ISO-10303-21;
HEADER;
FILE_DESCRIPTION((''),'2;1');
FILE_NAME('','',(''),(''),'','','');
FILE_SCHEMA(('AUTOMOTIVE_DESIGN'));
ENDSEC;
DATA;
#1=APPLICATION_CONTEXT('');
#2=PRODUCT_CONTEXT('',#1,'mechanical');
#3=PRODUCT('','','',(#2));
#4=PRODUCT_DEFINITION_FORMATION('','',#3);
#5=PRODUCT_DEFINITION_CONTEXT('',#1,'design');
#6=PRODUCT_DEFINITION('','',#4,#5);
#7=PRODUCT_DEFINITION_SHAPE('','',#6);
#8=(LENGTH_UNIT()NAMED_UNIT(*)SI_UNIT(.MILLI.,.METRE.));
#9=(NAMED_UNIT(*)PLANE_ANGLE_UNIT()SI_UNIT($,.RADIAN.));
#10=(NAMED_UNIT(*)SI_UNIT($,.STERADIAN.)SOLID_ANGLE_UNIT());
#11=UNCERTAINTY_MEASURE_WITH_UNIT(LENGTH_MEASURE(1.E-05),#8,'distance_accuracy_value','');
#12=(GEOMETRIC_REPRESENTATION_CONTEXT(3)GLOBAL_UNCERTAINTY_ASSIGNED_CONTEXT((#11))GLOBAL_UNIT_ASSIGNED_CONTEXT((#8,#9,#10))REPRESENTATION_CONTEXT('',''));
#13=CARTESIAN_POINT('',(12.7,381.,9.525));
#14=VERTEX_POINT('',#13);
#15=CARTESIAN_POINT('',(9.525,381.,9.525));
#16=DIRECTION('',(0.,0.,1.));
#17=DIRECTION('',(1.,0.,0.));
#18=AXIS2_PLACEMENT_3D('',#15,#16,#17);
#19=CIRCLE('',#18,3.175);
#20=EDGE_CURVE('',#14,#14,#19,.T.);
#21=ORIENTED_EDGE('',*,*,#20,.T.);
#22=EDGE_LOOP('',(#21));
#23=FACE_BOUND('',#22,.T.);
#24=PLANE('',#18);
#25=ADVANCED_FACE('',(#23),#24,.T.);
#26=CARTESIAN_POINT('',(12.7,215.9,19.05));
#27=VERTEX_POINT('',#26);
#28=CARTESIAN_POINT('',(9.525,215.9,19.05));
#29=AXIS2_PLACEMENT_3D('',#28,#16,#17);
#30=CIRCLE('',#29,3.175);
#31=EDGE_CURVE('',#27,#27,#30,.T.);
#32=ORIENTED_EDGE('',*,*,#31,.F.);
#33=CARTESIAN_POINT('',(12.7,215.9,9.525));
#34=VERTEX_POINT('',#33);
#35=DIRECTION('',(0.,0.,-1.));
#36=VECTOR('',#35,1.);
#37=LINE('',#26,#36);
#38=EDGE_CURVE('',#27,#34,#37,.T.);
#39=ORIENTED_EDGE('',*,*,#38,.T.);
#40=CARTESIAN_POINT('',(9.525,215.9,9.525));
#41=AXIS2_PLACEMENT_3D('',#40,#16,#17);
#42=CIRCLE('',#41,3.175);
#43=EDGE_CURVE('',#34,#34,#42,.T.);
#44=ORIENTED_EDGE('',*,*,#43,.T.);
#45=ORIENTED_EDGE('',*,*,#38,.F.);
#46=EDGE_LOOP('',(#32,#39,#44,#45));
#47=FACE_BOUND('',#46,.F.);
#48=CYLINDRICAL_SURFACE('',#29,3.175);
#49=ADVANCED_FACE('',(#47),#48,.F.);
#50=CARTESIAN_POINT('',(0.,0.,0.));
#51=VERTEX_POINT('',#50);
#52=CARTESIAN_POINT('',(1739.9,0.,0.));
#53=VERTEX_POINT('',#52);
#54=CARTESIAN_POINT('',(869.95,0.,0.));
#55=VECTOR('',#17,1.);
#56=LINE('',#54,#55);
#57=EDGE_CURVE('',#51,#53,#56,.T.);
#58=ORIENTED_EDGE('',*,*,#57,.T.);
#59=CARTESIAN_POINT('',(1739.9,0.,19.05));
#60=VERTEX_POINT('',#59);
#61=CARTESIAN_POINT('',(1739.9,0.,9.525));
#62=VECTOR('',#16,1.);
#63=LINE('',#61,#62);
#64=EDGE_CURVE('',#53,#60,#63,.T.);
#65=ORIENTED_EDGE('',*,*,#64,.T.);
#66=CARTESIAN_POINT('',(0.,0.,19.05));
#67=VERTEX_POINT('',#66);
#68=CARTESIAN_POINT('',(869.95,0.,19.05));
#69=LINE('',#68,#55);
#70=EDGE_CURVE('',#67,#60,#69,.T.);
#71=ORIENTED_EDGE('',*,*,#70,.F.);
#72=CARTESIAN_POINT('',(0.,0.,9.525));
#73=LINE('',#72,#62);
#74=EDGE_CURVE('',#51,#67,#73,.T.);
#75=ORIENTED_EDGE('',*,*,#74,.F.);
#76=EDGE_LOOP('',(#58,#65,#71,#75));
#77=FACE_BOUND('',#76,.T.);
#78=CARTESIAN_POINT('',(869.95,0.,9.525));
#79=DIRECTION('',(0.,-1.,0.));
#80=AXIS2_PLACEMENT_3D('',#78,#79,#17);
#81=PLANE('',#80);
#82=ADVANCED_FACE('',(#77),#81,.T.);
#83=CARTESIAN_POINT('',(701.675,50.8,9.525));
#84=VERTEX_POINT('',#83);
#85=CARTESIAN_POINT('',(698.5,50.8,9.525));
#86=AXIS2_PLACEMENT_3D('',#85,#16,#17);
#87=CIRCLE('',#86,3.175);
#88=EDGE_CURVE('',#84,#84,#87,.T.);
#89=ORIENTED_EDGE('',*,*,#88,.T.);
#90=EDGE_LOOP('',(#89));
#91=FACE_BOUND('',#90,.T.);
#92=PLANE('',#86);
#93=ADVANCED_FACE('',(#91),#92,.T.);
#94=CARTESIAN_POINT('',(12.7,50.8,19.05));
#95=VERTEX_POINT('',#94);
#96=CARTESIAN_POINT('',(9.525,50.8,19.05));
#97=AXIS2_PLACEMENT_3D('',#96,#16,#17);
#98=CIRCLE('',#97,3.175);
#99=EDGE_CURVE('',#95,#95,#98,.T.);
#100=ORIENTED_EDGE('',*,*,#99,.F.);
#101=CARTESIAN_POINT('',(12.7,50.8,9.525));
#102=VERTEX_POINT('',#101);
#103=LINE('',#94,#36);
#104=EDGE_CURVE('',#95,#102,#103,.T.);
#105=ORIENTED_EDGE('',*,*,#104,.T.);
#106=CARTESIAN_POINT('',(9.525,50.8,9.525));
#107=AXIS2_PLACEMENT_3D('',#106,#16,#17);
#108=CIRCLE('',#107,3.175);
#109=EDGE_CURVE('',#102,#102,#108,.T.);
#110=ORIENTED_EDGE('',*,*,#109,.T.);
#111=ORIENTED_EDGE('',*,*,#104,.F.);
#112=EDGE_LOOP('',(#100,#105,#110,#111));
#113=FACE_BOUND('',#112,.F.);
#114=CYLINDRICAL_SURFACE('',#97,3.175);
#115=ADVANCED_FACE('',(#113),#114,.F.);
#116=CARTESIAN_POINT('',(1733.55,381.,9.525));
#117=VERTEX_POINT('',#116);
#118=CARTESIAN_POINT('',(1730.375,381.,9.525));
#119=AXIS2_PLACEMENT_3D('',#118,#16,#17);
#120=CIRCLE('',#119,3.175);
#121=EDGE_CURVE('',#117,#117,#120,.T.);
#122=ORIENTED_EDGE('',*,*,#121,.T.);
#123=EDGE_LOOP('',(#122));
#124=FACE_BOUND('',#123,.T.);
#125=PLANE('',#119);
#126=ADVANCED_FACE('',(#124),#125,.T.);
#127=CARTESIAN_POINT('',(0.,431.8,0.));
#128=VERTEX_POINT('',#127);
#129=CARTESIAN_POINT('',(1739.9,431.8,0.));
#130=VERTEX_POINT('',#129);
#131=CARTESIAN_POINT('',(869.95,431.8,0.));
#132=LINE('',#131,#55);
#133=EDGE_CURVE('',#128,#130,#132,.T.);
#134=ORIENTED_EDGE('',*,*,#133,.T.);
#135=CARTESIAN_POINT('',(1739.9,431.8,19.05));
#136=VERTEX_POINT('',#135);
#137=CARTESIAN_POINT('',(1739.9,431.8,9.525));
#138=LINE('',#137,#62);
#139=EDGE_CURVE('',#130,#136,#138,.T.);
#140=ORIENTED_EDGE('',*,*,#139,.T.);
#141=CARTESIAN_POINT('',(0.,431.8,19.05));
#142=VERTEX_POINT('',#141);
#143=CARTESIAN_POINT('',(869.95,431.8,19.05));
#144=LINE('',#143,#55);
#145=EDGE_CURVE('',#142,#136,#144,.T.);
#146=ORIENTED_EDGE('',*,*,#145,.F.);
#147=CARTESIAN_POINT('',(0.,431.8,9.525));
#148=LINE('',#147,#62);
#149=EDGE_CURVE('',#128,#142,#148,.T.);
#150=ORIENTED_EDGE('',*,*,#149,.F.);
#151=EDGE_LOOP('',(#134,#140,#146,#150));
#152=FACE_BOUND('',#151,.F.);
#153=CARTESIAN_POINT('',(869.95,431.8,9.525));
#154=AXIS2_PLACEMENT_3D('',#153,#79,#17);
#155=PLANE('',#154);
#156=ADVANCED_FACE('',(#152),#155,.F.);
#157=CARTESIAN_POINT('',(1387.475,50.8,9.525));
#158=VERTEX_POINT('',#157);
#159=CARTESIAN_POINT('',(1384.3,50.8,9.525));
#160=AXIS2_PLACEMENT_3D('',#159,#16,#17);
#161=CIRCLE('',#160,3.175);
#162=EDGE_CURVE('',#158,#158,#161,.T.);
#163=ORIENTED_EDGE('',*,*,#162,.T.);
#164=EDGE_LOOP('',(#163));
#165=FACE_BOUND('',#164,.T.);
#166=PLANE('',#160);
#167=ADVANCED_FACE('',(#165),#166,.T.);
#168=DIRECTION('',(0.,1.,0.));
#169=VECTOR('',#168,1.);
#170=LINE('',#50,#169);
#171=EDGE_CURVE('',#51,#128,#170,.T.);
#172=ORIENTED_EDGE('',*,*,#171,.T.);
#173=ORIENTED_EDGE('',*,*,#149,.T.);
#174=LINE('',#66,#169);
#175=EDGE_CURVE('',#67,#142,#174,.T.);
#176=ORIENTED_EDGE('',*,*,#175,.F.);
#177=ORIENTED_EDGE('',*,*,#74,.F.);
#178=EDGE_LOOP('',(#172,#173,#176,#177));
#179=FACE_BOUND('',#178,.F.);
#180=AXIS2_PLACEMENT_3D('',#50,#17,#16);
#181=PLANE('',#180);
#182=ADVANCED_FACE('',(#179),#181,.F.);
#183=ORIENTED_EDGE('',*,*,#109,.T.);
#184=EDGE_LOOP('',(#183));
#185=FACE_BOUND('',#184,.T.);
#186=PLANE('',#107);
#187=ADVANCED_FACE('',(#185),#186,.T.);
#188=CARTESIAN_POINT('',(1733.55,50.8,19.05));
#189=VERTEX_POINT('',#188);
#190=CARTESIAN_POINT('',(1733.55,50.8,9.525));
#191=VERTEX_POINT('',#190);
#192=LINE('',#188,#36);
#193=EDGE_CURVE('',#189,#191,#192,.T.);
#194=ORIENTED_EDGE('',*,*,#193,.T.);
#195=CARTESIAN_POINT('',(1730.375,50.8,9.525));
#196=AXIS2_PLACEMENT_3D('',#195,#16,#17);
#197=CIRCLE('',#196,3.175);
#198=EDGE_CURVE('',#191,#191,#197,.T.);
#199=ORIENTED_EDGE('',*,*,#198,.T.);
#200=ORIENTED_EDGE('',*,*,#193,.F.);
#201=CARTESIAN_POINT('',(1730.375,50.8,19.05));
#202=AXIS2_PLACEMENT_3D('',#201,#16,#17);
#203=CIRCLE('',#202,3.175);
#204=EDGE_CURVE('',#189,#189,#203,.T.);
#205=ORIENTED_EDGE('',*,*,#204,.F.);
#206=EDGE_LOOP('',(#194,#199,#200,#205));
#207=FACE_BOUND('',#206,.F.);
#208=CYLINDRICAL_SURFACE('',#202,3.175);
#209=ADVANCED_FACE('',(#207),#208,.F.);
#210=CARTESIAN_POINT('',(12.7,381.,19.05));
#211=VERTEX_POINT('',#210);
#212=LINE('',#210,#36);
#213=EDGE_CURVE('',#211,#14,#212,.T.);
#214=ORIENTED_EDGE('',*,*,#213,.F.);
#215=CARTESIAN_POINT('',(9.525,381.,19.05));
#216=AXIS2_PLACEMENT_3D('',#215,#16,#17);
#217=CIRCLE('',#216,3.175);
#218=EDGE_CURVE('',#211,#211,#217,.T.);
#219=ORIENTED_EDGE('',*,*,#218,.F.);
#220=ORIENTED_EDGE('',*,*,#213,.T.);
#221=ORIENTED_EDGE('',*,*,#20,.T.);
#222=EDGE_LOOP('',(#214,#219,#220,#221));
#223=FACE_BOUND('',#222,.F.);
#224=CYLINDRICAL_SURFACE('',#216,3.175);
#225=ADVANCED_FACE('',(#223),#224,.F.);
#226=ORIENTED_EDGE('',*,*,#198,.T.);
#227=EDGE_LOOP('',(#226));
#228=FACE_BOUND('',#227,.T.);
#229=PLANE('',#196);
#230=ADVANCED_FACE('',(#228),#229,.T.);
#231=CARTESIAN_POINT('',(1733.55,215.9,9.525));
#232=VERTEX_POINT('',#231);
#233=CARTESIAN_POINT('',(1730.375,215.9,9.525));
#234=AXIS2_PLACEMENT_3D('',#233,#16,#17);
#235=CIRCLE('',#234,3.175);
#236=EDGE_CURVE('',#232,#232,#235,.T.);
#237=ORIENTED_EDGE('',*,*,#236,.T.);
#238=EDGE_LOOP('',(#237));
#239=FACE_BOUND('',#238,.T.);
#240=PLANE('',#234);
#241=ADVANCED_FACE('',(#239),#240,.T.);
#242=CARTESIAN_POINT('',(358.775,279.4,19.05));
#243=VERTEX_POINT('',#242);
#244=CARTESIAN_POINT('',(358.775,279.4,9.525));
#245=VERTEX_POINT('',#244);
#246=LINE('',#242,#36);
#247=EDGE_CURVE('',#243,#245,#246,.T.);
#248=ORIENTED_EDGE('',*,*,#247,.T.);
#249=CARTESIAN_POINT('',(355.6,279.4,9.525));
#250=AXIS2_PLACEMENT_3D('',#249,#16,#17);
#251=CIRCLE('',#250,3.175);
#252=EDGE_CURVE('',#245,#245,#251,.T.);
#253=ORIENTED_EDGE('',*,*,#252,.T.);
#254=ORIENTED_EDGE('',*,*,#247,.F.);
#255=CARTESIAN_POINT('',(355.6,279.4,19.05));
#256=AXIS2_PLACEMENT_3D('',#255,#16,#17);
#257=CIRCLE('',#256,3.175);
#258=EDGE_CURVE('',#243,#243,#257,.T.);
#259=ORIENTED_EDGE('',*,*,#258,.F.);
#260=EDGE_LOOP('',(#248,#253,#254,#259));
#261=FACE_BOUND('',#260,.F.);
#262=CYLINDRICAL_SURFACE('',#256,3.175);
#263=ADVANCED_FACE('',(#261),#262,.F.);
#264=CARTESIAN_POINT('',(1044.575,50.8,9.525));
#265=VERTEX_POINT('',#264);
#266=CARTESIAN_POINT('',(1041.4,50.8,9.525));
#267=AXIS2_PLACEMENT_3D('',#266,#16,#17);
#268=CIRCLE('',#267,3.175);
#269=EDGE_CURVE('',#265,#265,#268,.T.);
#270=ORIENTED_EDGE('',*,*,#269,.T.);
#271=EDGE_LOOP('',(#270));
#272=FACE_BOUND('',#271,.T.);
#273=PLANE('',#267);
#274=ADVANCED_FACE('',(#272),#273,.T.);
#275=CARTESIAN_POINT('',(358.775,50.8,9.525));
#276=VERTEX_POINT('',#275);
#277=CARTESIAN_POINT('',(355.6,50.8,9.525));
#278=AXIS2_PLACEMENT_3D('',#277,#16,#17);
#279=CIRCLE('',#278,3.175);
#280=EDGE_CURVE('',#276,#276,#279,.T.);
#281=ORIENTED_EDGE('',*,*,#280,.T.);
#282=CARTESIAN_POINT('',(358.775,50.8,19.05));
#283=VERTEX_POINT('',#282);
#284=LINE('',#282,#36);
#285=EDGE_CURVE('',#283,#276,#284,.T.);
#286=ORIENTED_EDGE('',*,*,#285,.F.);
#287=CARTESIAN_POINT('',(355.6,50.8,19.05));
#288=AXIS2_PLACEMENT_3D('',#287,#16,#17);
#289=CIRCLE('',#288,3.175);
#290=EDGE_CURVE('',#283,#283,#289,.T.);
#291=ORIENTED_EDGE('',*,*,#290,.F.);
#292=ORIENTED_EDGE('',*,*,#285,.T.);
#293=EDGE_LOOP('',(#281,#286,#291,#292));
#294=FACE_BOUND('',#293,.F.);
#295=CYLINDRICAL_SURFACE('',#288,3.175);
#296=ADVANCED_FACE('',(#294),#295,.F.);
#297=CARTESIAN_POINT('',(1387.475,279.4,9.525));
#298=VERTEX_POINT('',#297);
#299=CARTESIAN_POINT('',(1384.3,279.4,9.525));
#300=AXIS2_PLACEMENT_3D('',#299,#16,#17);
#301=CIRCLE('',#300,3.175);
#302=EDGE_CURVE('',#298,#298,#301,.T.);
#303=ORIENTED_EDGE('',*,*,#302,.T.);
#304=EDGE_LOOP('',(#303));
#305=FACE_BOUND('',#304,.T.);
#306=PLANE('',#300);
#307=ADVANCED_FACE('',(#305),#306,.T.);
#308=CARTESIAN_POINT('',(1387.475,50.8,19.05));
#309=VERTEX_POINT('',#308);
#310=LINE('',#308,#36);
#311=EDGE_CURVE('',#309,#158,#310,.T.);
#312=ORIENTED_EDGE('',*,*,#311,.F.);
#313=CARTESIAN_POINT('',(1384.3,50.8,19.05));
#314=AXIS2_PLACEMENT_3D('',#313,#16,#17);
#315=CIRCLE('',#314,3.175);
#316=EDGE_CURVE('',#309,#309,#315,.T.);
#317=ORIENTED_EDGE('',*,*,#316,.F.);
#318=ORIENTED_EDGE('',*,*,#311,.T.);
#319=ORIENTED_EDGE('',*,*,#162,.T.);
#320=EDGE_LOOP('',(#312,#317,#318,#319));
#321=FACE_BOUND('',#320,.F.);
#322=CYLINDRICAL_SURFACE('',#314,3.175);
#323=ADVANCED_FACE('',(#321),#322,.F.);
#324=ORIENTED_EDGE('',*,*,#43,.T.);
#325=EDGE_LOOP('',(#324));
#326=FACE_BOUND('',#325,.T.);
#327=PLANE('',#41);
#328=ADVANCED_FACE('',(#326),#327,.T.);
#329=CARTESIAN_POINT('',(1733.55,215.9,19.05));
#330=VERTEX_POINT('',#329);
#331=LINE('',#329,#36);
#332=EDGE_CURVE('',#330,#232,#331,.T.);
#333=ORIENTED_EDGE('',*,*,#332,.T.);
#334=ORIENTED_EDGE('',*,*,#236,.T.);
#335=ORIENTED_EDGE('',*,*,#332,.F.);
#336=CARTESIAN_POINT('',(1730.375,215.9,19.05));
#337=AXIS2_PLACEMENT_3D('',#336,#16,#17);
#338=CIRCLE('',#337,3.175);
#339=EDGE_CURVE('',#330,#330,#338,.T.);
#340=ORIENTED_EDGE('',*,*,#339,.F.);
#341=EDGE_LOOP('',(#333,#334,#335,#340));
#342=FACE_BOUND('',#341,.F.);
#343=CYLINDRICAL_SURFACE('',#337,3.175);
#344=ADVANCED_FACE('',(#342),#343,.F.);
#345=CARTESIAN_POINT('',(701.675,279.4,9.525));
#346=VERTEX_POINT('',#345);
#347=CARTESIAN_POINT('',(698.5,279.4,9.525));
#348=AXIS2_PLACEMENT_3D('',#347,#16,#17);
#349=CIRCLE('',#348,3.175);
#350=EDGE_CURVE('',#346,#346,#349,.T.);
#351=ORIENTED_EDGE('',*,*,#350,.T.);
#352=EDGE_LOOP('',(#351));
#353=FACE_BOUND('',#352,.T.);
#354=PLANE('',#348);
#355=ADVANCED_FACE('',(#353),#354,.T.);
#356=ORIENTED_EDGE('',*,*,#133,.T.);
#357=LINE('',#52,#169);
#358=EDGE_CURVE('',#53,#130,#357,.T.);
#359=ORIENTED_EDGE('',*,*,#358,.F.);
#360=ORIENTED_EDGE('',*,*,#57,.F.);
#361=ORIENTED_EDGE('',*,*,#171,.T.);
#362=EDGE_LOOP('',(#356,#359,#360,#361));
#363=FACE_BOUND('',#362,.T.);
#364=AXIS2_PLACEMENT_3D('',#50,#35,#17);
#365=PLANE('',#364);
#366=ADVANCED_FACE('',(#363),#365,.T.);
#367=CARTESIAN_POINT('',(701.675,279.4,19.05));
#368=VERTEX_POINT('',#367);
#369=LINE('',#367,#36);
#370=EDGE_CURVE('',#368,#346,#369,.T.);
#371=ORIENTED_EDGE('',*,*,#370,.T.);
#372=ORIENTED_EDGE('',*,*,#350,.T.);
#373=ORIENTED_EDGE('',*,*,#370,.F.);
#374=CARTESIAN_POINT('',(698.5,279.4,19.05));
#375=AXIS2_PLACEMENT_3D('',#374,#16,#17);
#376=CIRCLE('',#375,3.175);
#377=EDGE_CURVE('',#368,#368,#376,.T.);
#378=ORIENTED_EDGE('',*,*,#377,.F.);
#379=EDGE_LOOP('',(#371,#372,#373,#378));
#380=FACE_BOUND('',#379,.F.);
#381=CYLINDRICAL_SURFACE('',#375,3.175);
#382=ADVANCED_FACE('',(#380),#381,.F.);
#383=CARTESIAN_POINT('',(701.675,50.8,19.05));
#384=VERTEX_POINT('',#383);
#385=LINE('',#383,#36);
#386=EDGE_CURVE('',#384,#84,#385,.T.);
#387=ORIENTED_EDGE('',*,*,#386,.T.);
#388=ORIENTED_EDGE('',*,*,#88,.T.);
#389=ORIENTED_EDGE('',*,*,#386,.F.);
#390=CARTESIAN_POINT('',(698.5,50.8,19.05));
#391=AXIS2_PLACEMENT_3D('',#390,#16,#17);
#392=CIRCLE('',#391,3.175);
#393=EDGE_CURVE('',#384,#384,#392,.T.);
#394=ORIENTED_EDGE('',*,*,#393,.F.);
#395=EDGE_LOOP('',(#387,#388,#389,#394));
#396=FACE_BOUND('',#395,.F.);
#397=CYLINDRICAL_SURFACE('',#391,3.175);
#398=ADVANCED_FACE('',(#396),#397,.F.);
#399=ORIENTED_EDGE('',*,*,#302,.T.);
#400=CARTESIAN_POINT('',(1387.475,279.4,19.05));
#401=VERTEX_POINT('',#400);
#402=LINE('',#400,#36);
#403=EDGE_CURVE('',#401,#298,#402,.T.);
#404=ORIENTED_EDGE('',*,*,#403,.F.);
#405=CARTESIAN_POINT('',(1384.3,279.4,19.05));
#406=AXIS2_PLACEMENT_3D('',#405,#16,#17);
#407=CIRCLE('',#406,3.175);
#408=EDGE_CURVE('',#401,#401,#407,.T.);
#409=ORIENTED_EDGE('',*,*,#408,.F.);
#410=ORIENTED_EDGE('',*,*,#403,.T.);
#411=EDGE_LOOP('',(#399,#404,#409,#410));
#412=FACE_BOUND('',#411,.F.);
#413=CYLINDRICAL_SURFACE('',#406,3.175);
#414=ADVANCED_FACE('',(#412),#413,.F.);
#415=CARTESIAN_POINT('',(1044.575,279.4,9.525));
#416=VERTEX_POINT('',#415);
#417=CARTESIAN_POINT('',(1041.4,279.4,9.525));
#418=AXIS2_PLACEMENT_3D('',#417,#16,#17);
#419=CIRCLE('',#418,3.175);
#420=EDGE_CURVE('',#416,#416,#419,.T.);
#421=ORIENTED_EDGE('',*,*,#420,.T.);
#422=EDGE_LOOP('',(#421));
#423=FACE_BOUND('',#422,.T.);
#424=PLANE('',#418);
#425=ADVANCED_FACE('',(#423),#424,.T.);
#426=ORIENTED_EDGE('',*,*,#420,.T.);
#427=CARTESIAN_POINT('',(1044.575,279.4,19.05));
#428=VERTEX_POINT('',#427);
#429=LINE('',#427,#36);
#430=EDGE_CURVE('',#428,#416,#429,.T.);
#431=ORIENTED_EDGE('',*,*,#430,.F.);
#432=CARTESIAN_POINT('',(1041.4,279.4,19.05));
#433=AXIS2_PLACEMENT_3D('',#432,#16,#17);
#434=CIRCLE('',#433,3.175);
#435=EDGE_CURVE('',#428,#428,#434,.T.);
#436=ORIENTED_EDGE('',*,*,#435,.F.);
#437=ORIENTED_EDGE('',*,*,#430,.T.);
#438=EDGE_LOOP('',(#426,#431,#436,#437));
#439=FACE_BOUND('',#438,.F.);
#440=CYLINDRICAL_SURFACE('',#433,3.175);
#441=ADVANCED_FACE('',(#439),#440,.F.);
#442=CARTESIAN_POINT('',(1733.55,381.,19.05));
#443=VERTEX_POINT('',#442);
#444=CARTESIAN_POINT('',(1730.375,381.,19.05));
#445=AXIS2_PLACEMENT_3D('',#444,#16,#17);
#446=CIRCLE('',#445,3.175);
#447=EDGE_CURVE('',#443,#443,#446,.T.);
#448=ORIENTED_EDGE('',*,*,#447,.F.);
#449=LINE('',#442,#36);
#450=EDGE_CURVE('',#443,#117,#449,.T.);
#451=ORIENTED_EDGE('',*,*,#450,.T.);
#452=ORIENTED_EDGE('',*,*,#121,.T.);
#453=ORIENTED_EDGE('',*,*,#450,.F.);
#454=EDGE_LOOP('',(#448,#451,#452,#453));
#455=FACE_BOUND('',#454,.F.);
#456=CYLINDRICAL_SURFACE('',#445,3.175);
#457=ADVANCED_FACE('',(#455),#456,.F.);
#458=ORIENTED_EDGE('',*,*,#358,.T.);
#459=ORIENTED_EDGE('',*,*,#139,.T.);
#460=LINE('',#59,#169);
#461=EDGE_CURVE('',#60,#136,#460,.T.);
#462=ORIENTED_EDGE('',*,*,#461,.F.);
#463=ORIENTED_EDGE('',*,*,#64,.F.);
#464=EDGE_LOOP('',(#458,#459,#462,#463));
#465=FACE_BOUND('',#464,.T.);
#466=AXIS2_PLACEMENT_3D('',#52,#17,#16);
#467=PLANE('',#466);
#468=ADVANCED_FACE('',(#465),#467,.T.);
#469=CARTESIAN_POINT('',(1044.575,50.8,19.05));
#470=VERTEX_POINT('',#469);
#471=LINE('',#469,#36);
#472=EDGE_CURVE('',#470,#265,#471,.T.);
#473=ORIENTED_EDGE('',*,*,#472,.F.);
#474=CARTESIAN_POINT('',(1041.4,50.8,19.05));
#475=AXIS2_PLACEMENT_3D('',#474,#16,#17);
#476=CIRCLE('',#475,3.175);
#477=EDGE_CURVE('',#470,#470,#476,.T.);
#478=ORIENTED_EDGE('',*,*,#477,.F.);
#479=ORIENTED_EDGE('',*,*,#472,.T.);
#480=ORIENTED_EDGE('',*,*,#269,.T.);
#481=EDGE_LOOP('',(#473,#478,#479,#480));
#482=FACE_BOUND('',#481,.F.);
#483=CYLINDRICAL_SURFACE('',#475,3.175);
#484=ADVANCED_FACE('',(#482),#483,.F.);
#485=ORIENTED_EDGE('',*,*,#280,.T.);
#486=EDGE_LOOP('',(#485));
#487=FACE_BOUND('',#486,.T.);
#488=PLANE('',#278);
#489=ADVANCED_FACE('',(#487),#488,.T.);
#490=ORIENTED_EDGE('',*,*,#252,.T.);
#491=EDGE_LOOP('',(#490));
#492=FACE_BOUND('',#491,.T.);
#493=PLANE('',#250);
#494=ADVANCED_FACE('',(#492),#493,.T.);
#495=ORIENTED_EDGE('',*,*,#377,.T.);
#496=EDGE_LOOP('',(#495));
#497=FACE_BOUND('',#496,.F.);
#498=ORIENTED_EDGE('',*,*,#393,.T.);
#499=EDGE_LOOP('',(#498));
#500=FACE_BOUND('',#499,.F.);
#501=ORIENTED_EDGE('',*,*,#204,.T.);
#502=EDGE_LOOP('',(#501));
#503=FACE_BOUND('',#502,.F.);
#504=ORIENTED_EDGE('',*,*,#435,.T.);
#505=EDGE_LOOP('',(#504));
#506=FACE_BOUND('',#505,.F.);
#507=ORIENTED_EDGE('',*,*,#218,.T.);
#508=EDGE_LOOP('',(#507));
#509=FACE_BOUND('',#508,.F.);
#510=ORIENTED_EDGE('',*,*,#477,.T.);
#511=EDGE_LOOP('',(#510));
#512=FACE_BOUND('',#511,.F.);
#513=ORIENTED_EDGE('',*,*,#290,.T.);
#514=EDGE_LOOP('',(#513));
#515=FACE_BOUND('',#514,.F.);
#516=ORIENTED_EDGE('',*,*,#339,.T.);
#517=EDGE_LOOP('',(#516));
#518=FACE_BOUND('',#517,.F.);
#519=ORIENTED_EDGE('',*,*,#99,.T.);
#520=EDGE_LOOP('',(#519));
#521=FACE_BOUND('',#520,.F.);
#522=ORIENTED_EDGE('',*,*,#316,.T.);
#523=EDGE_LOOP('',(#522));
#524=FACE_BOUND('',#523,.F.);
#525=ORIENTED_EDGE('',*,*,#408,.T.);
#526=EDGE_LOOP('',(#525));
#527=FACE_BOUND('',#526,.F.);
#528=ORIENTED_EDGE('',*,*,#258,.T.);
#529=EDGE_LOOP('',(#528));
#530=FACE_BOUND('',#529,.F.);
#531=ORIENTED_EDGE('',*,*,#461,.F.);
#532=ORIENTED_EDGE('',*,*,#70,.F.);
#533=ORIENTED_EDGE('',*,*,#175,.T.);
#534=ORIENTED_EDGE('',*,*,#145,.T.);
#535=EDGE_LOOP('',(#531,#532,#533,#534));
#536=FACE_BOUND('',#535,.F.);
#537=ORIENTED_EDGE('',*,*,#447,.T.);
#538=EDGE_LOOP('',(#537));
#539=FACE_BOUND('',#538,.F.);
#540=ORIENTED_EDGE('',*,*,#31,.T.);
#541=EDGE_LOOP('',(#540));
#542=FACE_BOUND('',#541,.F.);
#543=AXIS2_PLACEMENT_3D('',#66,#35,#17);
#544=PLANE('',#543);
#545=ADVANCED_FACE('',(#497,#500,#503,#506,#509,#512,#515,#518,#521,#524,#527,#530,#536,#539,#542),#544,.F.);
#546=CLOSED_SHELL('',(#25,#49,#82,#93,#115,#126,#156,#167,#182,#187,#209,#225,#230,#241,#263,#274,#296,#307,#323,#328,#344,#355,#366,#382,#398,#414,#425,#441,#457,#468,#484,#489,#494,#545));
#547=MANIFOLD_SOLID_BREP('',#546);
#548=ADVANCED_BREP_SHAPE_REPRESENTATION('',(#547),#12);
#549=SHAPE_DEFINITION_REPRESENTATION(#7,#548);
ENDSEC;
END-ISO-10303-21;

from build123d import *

# Parameters (mm, degrees)
F0_W     = 1739.9
F0_H     = 19.05
F1_DEPTH = 431.8
F2_R     = 3.175
F3_DEPTH = 9.525


with BuildPart() as f1:
    # F0 (on Front) → F1 (new body)
    with BuildSketch(Plane.XZ):
        with Locations((869.95, 9.525)):
            Rectangle(F0_W, F0_H)
    extrude(amount=-F1_DEPTH)

    # F2 (on face) → F3 (cut)
    with BuildSketch(Plane.XY.offset(19.05)):
        with Locations((9.525, 381)):
            Circle(F2_R)
        with Locations((9.525, 215.9)):
            Circle(F2_R)
        with Locations((9.525, 50.8)):
            Circle(F2_R)
        with Locations((1730.375, 381)):
            Circle(F2_R)
        with Locations((1730.375, 215.9)):
            Circle(F2_R)
        with Locations((1730.375, 50.8)):
            Circle(F2_R)
        with Locations((355.6, 50.8)):
            Circle(F2_R)
        with Locations((355.6, 279.4)):
            Circle(F2_R)
        with Locations((1041.4, 50.8)):
            Circle(F2_R)
        with Locations((1384.3, 279.4)):
            Circle(F2_R)
        with Locations((1041.4, 279.4)):
            Circle(F2_R)
        with Locations((698.5, 50.8)):
            Circle(F2_R)
        with Locations((698.5, 279.4)):
            Circle(F2_R)
        with Locations((1384.3, 50.8)):
            Circle(F2_R)
    extrude(amount=-F3_DEPTH, mode=Mode.SUBTRACT)


solid = f1.part
